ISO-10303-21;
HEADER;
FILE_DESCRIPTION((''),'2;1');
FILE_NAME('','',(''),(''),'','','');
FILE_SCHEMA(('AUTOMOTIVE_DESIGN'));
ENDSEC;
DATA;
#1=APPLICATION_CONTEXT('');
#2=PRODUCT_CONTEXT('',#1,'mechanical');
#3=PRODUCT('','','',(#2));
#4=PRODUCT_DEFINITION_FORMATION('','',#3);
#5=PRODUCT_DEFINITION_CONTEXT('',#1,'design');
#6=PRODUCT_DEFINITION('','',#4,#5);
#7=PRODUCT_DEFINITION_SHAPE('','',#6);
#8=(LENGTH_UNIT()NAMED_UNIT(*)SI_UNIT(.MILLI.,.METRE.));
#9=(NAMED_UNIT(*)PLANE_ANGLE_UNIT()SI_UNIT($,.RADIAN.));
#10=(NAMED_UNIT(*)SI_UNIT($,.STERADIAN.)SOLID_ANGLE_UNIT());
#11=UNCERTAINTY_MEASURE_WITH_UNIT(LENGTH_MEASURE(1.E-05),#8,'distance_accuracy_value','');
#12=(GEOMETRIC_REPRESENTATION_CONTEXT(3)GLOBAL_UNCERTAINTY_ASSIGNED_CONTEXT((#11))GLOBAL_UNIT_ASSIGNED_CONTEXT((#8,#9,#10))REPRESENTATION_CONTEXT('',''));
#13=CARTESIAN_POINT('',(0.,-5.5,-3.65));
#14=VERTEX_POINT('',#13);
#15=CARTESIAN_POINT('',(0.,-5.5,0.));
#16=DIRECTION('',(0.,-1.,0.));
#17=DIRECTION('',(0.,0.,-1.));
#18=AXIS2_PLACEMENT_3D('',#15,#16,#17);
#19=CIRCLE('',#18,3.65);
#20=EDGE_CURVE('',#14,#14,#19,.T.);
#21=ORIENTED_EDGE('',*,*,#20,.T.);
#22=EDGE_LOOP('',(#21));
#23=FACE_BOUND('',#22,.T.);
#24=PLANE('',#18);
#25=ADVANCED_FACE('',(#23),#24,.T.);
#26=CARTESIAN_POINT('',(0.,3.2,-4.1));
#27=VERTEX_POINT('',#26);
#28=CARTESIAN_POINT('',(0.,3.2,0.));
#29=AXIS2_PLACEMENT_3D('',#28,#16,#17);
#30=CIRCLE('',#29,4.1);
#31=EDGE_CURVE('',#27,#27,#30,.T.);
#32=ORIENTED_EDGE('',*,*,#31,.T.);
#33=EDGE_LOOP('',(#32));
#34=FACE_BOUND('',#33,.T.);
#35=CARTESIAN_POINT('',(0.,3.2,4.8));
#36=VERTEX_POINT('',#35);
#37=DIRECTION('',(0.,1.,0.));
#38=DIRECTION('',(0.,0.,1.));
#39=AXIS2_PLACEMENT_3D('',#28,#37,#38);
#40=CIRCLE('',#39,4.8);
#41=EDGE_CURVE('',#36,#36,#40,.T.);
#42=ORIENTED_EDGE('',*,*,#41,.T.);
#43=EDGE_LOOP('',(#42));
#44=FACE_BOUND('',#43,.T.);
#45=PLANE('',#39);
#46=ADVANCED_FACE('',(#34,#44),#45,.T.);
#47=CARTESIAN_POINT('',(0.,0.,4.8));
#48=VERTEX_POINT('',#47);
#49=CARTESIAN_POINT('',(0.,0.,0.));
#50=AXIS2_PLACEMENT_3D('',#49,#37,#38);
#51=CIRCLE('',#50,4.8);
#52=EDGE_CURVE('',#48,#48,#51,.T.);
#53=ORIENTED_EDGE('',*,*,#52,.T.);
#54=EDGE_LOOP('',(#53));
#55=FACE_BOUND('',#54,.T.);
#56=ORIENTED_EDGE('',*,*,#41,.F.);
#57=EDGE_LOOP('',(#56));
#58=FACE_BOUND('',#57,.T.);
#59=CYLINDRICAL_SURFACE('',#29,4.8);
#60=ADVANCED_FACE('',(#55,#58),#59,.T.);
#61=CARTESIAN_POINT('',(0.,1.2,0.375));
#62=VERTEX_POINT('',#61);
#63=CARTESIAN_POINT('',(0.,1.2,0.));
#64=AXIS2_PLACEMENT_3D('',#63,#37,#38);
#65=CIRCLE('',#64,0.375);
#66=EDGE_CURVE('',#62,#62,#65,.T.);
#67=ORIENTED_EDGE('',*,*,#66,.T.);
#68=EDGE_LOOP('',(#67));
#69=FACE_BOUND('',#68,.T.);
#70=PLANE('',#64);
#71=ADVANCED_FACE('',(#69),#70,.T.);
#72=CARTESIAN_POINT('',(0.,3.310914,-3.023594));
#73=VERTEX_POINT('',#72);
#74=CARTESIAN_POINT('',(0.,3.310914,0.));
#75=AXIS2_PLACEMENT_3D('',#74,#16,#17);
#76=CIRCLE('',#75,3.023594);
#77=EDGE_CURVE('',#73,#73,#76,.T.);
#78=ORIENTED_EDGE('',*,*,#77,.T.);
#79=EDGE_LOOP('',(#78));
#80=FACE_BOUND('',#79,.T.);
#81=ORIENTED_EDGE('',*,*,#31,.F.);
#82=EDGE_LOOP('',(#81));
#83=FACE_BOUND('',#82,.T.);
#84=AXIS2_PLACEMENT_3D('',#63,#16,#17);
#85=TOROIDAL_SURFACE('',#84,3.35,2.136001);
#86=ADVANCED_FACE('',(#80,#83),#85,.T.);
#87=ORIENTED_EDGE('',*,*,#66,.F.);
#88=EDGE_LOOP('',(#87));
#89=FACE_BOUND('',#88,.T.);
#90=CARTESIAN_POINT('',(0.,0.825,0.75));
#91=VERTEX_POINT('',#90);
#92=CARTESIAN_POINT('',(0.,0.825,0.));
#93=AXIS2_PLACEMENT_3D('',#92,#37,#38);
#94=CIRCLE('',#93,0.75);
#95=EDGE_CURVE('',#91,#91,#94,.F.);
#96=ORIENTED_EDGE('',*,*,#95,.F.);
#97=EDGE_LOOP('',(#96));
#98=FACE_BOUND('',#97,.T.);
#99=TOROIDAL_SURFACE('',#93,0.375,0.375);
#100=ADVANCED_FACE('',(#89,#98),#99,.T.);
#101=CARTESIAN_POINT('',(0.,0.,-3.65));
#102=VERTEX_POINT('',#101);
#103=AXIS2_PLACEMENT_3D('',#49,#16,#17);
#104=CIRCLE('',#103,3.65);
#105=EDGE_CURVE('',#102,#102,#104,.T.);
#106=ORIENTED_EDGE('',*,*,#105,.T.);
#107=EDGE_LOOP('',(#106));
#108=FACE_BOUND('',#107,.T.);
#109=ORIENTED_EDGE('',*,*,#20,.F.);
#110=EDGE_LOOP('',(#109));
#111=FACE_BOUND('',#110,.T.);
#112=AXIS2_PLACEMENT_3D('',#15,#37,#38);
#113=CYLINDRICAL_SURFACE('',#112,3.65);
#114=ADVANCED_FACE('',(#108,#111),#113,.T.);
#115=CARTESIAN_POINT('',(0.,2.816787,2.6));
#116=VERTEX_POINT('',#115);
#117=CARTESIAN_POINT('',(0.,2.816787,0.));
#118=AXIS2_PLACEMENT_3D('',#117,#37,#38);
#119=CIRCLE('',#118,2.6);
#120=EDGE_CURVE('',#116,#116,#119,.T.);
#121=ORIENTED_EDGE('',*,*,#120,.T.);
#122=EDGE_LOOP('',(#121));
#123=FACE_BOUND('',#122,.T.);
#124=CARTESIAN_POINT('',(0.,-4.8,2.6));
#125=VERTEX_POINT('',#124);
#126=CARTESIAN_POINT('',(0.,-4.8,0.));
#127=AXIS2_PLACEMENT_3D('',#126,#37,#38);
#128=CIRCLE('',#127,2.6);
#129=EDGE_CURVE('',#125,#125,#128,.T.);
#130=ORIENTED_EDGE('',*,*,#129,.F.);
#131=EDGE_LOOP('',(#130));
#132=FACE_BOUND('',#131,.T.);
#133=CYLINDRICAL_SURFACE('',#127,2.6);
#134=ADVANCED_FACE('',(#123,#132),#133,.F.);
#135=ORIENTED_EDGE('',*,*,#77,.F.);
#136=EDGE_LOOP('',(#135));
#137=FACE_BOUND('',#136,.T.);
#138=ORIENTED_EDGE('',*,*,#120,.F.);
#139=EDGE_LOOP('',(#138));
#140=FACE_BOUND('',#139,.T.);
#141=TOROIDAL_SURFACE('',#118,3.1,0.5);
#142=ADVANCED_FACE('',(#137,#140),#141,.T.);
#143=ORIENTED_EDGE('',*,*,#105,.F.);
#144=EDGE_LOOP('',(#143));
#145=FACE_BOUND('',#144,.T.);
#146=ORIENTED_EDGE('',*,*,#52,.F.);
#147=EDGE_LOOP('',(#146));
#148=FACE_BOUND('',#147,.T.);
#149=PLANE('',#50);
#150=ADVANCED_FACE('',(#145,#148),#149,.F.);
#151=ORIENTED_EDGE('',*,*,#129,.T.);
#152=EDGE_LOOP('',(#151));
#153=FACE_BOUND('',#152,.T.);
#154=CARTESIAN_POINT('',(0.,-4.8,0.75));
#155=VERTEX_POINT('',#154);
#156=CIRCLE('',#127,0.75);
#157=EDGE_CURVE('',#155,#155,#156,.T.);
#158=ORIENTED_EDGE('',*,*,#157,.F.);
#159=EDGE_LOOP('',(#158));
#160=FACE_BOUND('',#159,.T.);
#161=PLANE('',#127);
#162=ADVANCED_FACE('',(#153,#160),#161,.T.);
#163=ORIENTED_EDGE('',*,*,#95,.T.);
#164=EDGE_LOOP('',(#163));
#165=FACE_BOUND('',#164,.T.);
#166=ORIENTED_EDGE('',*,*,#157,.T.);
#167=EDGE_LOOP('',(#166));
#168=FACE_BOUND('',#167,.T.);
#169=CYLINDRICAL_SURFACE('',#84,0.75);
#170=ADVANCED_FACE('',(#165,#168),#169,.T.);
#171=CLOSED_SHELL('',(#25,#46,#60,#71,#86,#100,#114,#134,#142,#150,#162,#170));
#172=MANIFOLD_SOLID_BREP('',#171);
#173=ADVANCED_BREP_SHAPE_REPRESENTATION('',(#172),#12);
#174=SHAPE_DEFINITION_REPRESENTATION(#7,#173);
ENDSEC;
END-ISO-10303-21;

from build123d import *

# Parameters (mm, degrees)
SKETCH1_R           = 4.8
BOSS_EXTRUDE1_DEPTH = 3.2
SKETCH2_R           = 3.65
BOSS_EXTRUDE2_DEPTH = 5.5
SKETCH3_R           = 2.6
CUT_EXTRUDE1_DEPTH  = 8
FILLET1_R           = 0.5
SKETCH5_R           = 0.75
BOSS_EXTRUDE3_DEPTH = 6
FILLET2_R           = 0.375


with BuildPart() as part:
    # Sketch1 → Boss-Extrude1 (new body)
    with BuildSketch(Plane(origin=(0, 0, 0), x_dir=(1, 0, 0), z_dir=(0, 1, 0))):
        with Locations(Location((0, 0, 0), (0, 0, 270))):
            Circle(SKETCH1_R)
    extrude(amount=BOSS_EXTRUDE1_DEPTH)

    # Sketch2 → Boss-Extrude2 (add)
    with BuildSketch(Plane.XZ):
        with Locations(Location((0, 0, 0), (0, 0, 270))):
            Circle(SKETCH2_R)
    extrude(amount=BOSS_EXTRUDE2_DEPTH)

    # Sketch3 → Cut-Extrude1 (cut)
    with BuildSketch(Plane(origin=(0, 3.2, 0), x_dir=(1, 0, 0), z_dir=(0, 1, 0))):
        with Locations(Location((0, 0, 0), (0, 0, 270))):
            Circle(SKETCH3_R)
    extrude(amount=-CUT_EXTRUDE1_DEPTH, mode=Mode.SUBTRACT)

    # Sketch4 → Revolve1 (revolve)
    with BuildSketch(Plane.XY, mode=Mode.PRIVATE) as revolve1_sk:
        with BuildLine():
            Line((-4.1, 3.2), (-2.6, 3.2))
            ThreePointArc((-2.6, 3.2), (-3.35, 3.336000936), (-4.1, 3.2))
        make_face()
    revolve(revolve1_sk.sketch.rotate(Axis((0, 0, 0), (0, 1, 0)), 270), axis=Axis((0, 0, 0), (0, 1, 0)))

    # Fillet1
    fillet1_edges = [part.edges().sort_by_distance(p)[0] for p in [
        (2.6, 3.2, 0),
    ]]
    fillet(fillet1_edges, radius=FILLET1_R)

    # Sketch5 → Boss-Extrude3 (add)
    with BuildSketch(Plane(origin=(0, -4.8, 0), x_dir=(1, 0, 0), z_dir=(0, 1, 0))):
        with Locations(Location((0, 0, 0), (0, 0, 270))):
            Circle(SKETCH5_R)
    extrude(amount=BOSS_EXTRUDE3_DEPTH)

    # Fillet2
    fillet2_edges = [part.edges().sort_by_distance(p)[0] for p in [
        (0, 1.2, -0.75),
    ]]
    fillet(fillet2_edges, radius=FILLET2_R)


solid = part.part
